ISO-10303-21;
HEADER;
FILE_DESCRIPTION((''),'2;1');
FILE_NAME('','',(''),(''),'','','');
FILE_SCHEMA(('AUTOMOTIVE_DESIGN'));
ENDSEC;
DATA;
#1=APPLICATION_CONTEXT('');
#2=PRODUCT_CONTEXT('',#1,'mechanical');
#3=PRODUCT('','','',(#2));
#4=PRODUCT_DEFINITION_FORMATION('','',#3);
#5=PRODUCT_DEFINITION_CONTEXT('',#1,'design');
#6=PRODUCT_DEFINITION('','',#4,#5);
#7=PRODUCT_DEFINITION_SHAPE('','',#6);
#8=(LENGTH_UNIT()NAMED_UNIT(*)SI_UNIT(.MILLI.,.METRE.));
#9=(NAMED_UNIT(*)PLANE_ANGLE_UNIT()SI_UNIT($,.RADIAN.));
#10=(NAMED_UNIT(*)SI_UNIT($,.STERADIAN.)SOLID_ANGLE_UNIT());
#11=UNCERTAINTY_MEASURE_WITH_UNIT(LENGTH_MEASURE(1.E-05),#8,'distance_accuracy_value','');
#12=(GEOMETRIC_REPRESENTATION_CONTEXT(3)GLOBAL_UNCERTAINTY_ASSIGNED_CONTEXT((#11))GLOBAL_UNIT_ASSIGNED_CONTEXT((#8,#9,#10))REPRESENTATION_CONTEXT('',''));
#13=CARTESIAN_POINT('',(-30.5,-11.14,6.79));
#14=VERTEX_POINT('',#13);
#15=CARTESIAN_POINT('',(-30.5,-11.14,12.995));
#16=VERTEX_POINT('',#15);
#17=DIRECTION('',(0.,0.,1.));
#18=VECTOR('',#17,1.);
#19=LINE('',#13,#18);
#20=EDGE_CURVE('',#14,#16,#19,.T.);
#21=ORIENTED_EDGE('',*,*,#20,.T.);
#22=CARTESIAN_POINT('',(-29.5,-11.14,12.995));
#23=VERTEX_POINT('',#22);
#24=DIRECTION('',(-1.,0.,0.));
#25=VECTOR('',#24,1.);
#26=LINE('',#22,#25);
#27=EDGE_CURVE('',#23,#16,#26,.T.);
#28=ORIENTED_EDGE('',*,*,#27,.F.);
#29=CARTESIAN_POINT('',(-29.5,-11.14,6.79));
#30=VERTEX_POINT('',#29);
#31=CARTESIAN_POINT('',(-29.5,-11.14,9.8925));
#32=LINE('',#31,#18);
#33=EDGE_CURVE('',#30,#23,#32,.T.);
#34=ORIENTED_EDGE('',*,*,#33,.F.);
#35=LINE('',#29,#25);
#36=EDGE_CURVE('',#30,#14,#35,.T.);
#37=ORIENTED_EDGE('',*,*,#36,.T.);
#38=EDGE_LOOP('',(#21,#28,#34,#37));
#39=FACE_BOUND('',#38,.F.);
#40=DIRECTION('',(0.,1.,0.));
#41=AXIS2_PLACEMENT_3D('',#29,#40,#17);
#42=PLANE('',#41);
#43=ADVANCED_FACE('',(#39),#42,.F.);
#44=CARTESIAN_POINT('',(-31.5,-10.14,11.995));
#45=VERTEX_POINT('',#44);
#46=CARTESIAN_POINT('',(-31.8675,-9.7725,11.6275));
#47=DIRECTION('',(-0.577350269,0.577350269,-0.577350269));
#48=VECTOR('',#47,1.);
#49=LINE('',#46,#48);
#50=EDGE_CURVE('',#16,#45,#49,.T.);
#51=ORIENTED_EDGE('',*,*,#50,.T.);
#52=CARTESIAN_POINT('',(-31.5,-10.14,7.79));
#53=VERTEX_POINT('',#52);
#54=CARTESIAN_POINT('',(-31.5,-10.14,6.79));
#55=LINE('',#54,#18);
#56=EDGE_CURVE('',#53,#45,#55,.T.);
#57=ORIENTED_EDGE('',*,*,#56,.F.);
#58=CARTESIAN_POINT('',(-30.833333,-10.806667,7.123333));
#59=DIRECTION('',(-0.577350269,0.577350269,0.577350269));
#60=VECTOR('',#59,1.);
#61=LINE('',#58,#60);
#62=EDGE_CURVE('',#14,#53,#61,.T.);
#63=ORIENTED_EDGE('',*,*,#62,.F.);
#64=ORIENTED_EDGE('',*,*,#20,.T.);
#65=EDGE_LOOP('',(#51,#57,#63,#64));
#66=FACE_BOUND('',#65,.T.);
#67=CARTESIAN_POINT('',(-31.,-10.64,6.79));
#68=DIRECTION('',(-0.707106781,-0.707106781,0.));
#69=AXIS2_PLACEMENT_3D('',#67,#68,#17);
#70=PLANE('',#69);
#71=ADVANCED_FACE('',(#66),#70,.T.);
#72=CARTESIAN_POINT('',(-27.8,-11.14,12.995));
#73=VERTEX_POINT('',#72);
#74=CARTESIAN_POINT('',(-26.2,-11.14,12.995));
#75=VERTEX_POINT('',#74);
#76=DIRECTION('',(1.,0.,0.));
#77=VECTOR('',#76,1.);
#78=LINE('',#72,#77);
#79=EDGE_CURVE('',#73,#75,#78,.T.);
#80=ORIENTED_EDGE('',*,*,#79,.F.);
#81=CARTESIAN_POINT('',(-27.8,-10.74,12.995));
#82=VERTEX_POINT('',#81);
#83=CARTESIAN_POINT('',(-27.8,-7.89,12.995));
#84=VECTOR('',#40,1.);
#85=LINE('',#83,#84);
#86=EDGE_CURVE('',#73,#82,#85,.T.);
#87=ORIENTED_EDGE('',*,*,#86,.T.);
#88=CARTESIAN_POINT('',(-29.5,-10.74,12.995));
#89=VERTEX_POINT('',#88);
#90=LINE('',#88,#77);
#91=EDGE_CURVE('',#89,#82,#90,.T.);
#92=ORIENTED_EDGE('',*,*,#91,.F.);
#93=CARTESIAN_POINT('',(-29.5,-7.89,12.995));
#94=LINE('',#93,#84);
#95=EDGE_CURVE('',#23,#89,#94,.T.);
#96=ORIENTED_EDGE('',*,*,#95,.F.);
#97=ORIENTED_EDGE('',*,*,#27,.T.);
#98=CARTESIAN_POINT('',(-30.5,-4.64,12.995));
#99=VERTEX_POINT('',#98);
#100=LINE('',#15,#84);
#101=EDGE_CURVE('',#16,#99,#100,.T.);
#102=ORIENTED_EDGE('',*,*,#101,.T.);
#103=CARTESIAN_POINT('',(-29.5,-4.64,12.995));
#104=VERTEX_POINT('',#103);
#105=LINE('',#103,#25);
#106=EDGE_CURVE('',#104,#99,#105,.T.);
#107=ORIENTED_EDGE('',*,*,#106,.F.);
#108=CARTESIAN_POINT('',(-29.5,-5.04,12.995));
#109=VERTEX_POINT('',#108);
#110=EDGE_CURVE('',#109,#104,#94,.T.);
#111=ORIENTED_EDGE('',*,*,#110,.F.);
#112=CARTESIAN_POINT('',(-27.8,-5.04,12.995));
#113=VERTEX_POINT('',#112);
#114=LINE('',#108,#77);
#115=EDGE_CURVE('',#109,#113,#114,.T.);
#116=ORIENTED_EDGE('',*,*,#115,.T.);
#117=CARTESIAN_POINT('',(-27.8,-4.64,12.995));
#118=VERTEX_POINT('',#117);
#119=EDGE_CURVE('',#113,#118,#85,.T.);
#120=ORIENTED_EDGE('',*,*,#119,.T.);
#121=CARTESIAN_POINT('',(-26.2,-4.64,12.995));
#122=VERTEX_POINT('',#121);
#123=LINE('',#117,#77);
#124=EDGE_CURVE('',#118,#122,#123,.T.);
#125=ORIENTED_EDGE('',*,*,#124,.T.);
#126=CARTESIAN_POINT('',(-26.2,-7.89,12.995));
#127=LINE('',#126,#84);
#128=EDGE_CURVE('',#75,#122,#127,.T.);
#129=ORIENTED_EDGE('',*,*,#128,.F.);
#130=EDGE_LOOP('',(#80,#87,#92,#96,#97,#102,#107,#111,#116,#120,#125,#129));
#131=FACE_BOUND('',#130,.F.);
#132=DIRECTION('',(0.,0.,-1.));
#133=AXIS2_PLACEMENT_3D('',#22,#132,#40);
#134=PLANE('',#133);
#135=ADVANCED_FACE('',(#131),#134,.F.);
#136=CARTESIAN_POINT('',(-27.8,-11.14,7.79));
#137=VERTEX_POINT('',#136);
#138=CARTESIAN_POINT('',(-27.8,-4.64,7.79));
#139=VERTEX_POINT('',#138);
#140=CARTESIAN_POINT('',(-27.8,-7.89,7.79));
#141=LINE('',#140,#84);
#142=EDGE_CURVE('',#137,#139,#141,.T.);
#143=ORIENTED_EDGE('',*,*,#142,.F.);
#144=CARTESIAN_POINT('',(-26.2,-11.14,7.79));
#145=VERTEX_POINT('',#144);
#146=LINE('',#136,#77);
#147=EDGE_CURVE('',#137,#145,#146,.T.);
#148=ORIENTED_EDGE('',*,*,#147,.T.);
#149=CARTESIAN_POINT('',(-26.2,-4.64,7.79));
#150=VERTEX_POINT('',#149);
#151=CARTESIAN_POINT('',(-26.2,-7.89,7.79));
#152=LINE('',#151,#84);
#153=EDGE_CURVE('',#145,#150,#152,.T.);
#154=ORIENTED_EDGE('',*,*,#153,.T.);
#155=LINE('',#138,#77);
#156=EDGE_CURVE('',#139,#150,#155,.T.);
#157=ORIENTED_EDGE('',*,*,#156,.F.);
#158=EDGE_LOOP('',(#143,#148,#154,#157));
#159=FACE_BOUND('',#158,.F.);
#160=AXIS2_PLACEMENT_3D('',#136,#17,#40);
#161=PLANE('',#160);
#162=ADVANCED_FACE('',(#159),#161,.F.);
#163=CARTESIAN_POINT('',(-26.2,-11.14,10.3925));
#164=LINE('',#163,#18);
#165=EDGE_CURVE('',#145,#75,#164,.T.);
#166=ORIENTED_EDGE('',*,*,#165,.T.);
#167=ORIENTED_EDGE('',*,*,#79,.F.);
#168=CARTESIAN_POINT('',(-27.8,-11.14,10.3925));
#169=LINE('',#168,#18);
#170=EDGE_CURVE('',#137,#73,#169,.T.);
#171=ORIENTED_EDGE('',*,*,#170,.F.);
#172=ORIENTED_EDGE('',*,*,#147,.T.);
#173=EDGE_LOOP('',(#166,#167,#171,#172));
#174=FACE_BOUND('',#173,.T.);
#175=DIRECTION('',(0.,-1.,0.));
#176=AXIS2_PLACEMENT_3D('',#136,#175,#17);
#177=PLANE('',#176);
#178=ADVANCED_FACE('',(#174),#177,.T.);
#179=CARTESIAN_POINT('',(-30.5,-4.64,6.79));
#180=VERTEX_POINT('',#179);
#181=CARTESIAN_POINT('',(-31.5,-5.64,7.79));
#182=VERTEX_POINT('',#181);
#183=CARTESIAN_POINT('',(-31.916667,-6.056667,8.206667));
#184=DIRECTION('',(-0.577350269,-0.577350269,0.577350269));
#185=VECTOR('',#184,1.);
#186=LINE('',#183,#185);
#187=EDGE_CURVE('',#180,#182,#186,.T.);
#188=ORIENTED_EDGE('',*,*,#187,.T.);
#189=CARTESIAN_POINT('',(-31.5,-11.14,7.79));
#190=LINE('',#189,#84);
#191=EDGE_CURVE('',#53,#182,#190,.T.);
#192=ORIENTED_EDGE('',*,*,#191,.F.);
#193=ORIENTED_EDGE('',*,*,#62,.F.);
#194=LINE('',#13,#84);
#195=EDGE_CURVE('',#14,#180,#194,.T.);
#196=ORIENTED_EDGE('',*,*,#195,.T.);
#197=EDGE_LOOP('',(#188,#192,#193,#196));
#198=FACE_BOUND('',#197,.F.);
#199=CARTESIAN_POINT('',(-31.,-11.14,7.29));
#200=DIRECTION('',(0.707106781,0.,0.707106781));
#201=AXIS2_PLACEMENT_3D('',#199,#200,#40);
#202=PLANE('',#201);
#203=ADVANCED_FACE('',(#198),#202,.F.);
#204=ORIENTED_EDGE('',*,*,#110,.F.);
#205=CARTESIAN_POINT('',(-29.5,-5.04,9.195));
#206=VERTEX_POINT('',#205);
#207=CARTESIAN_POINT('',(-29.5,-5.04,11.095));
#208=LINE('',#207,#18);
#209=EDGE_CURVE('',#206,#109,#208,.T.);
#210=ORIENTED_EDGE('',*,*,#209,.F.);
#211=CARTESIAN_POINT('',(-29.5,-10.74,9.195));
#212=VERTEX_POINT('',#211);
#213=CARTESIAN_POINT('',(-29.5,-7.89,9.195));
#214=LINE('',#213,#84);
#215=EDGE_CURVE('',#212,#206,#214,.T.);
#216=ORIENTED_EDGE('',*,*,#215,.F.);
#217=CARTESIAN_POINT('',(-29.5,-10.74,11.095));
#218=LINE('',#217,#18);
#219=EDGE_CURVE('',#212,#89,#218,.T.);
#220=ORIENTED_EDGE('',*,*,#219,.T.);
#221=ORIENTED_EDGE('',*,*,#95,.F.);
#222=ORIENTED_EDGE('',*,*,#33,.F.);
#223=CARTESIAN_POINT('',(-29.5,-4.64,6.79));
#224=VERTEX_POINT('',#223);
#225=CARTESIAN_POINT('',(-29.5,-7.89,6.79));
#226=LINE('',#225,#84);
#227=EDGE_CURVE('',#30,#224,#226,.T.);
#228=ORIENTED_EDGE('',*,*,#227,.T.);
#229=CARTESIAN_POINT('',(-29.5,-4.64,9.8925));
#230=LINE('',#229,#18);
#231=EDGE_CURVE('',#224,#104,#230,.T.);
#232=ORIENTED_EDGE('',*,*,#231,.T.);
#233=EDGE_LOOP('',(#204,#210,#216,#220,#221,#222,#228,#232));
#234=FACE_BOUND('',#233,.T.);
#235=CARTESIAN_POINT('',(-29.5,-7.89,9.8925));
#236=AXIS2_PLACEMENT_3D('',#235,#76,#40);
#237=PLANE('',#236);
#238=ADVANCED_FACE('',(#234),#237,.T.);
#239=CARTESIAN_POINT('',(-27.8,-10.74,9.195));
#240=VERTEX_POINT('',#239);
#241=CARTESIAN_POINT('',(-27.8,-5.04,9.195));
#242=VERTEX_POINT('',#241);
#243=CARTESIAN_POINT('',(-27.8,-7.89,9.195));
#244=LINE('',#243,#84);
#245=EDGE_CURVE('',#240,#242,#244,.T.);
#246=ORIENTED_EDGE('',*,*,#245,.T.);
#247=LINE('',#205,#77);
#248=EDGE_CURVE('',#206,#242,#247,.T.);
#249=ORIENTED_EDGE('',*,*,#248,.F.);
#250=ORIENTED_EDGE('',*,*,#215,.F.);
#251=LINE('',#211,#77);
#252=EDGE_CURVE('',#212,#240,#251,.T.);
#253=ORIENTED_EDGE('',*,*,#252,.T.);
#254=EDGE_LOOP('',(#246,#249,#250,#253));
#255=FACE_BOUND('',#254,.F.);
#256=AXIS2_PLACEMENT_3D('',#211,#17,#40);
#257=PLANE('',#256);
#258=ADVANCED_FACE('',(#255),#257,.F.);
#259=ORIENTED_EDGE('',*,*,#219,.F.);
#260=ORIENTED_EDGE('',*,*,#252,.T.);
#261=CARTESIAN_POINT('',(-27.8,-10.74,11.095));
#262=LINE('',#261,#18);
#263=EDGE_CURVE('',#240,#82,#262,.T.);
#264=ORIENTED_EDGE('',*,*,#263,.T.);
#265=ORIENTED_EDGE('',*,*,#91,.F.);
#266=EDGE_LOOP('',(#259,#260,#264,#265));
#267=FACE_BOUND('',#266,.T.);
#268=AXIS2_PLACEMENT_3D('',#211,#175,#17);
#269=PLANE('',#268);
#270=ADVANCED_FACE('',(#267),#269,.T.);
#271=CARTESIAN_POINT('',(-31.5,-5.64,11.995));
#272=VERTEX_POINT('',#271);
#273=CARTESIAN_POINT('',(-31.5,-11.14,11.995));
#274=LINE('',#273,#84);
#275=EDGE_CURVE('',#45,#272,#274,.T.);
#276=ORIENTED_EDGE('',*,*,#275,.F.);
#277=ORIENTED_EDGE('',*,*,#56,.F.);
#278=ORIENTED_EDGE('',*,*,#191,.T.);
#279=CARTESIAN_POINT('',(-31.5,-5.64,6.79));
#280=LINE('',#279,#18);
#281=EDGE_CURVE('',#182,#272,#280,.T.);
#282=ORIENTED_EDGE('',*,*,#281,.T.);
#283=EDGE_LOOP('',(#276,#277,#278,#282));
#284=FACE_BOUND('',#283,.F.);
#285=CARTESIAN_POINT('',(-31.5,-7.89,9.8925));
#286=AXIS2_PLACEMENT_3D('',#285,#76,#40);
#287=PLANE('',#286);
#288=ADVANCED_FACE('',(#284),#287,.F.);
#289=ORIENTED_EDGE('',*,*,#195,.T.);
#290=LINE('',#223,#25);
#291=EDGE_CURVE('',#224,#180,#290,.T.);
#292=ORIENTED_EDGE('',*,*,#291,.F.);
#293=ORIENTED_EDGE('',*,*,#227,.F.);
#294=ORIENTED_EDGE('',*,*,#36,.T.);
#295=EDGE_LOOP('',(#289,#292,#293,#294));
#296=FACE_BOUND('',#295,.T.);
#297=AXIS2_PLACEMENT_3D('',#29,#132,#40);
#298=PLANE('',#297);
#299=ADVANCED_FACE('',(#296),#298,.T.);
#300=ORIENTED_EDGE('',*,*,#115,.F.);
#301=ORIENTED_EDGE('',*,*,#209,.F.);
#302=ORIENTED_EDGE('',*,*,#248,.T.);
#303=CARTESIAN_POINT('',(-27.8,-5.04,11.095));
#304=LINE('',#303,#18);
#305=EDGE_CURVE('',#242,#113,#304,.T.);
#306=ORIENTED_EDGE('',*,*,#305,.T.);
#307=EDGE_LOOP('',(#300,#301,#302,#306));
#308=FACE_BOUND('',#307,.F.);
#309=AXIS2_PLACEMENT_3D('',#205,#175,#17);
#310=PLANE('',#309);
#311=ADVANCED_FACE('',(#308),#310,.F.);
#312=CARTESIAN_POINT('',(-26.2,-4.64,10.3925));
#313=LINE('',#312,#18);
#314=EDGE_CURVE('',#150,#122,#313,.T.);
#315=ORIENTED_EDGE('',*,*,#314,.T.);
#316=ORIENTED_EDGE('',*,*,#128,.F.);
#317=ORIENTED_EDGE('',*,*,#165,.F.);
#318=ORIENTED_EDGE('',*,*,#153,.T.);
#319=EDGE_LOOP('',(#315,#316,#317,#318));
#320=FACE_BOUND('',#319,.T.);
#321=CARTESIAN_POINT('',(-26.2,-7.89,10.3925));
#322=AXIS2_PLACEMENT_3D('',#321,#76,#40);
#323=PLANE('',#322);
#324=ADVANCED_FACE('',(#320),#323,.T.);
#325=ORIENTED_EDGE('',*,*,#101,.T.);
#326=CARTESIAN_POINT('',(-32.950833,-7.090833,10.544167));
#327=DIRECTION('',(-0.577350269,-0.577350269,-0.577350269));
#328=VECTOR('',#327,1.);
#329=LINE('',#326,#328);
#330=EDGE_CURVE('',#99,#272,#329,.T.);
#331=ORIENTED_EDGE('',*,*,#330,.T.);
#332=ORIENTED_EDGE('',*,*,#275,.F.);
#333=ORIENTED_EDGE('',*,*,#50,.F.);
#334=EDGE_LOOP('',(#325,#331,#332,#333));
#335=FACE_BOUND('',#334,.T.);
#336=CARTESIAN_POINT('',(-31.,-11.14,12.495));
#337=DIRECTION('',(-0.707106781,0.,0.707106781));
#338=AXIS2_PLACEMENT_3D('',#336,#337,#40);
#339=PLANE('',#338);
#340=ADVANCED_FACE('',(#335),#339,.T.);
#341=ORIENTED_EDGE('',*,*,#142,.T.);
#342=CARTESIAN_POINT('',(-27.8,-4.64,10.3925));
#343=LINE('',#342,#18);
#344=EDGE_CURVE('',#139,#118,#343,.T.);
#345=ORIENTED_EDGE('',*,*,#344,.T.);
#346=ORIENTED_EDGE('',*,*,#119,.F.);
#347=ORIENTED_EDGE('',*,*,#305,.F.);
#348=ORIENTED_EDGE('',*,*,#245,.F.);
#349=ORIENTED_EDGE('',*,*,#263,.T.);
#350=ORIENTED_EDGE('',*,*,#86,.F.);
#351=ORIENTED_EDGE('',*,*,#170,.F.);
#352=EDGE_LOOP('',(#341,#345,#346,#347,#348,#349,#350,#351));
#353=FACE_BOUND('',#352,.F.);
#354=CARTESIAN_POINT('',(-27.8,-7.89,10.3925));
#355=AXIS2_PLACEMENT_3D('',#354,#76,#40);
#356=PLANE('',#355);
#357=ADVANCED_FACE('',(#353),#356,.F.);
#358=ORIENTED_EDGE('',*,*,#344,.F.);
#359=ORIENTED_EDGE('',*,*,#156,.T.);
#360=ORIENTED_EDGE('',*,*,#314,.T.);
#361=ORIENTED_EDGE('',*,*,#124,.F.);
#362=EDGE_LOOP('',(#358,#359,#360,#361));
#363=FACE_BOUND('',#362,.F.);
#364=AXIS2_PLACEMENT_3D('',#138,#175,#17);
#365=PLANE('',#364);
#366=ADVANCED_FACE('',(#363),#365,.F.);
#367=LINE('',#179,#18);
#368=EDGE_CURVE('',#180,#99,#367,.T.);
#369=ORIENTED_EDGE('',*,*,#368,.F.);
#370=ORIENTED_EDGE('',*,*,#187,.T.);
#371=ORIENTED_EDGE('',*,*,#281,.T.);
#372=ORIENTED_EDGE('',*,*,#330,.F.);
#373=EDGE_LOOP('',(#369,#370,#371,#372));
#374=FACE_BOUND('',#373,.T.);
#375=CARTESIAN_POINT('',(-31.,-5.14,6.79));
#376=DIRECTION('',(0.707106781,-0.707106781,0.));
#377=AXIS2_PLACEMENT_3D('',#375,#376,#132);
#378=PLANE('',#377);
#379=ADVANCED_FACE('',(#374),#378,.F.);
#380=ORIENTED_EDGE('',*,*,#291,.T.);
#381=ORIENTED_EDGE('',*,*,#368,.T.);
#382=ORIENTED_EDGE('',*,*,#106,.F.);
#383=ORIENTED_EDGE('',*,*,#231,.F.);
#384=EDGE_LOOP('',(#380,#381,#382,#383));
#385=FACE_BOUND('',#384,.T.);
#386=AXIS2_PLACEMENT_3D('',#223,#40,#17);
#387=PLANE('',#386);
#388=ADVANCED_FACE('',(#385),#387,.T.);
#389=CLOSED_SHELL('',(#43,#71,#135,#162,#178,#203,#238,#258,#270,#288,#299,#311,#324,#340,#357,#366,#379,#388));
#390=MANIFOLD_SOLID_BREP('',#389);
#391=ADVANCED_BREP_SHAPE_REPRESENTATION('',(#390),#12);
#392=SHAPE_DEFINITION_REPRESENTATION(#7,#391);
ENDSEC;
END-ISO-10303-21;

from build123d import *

# Parameters (mm, degrees)
SKETCH126_W  = 5.7
SKETCH126_H  = 3.8
PAD061_DEPTH = 1.7
SKETCH127_W  = 6.5
SKETCH127_H  = 5.205
PAD062_DEPTH = 1.6
SKETCH128_W  = 6.5
SKETCH128_H  = 6.205
PAD063_DEPTH = 2
CHAMFER_SIZE = 1


with BuildPart() as part:
    # Sketch126 → Pad061 (new body)
    with BuildSketch(Plane.YZ):
        with Locations((-7.89, 11.095)):
            Rectangle(SKETCH126_W, SKETCH126_H)
    extrude(amount=PAD061_DEPTH)

    # Sketch127 → Pad062 (join)
    with BuildSketch(Plane.YZ.offset(1.7)):
        with Locations((-7.89, 10.3925)):
            Rectangle(SKETCH127_W, SKETCH127_H)
    extrude(amount=PAD062_DEPTH)

    # Sketch128 → Pad063 (join)
    with BuildSketch(Plane.YZ):
        with Locations((-7.89, 9.8925)):
            Rectangle(SKETCH128_W, SKETCH128_H)
    extrude(amount=-PAD063_DEPTH)

    # Chamfer
    chamfer_edges = [part.edges().sort_by_distance(p)[0] for p in [
        (-2, -7.89, 12.995),
        (-2, -11.14, 9.8925),
        (-2, -7.89, 6.79),
        (-2, -4.64, 9.8925),
    ]]
    chamfer(chamfer_edges, length=CHAMFER_SIZE)


with BuildPart() as part_1:
    # Body017 placement: moved
    add(part.part.moved(Location((-29.5, 0, 0))))


solid = part_1.part
